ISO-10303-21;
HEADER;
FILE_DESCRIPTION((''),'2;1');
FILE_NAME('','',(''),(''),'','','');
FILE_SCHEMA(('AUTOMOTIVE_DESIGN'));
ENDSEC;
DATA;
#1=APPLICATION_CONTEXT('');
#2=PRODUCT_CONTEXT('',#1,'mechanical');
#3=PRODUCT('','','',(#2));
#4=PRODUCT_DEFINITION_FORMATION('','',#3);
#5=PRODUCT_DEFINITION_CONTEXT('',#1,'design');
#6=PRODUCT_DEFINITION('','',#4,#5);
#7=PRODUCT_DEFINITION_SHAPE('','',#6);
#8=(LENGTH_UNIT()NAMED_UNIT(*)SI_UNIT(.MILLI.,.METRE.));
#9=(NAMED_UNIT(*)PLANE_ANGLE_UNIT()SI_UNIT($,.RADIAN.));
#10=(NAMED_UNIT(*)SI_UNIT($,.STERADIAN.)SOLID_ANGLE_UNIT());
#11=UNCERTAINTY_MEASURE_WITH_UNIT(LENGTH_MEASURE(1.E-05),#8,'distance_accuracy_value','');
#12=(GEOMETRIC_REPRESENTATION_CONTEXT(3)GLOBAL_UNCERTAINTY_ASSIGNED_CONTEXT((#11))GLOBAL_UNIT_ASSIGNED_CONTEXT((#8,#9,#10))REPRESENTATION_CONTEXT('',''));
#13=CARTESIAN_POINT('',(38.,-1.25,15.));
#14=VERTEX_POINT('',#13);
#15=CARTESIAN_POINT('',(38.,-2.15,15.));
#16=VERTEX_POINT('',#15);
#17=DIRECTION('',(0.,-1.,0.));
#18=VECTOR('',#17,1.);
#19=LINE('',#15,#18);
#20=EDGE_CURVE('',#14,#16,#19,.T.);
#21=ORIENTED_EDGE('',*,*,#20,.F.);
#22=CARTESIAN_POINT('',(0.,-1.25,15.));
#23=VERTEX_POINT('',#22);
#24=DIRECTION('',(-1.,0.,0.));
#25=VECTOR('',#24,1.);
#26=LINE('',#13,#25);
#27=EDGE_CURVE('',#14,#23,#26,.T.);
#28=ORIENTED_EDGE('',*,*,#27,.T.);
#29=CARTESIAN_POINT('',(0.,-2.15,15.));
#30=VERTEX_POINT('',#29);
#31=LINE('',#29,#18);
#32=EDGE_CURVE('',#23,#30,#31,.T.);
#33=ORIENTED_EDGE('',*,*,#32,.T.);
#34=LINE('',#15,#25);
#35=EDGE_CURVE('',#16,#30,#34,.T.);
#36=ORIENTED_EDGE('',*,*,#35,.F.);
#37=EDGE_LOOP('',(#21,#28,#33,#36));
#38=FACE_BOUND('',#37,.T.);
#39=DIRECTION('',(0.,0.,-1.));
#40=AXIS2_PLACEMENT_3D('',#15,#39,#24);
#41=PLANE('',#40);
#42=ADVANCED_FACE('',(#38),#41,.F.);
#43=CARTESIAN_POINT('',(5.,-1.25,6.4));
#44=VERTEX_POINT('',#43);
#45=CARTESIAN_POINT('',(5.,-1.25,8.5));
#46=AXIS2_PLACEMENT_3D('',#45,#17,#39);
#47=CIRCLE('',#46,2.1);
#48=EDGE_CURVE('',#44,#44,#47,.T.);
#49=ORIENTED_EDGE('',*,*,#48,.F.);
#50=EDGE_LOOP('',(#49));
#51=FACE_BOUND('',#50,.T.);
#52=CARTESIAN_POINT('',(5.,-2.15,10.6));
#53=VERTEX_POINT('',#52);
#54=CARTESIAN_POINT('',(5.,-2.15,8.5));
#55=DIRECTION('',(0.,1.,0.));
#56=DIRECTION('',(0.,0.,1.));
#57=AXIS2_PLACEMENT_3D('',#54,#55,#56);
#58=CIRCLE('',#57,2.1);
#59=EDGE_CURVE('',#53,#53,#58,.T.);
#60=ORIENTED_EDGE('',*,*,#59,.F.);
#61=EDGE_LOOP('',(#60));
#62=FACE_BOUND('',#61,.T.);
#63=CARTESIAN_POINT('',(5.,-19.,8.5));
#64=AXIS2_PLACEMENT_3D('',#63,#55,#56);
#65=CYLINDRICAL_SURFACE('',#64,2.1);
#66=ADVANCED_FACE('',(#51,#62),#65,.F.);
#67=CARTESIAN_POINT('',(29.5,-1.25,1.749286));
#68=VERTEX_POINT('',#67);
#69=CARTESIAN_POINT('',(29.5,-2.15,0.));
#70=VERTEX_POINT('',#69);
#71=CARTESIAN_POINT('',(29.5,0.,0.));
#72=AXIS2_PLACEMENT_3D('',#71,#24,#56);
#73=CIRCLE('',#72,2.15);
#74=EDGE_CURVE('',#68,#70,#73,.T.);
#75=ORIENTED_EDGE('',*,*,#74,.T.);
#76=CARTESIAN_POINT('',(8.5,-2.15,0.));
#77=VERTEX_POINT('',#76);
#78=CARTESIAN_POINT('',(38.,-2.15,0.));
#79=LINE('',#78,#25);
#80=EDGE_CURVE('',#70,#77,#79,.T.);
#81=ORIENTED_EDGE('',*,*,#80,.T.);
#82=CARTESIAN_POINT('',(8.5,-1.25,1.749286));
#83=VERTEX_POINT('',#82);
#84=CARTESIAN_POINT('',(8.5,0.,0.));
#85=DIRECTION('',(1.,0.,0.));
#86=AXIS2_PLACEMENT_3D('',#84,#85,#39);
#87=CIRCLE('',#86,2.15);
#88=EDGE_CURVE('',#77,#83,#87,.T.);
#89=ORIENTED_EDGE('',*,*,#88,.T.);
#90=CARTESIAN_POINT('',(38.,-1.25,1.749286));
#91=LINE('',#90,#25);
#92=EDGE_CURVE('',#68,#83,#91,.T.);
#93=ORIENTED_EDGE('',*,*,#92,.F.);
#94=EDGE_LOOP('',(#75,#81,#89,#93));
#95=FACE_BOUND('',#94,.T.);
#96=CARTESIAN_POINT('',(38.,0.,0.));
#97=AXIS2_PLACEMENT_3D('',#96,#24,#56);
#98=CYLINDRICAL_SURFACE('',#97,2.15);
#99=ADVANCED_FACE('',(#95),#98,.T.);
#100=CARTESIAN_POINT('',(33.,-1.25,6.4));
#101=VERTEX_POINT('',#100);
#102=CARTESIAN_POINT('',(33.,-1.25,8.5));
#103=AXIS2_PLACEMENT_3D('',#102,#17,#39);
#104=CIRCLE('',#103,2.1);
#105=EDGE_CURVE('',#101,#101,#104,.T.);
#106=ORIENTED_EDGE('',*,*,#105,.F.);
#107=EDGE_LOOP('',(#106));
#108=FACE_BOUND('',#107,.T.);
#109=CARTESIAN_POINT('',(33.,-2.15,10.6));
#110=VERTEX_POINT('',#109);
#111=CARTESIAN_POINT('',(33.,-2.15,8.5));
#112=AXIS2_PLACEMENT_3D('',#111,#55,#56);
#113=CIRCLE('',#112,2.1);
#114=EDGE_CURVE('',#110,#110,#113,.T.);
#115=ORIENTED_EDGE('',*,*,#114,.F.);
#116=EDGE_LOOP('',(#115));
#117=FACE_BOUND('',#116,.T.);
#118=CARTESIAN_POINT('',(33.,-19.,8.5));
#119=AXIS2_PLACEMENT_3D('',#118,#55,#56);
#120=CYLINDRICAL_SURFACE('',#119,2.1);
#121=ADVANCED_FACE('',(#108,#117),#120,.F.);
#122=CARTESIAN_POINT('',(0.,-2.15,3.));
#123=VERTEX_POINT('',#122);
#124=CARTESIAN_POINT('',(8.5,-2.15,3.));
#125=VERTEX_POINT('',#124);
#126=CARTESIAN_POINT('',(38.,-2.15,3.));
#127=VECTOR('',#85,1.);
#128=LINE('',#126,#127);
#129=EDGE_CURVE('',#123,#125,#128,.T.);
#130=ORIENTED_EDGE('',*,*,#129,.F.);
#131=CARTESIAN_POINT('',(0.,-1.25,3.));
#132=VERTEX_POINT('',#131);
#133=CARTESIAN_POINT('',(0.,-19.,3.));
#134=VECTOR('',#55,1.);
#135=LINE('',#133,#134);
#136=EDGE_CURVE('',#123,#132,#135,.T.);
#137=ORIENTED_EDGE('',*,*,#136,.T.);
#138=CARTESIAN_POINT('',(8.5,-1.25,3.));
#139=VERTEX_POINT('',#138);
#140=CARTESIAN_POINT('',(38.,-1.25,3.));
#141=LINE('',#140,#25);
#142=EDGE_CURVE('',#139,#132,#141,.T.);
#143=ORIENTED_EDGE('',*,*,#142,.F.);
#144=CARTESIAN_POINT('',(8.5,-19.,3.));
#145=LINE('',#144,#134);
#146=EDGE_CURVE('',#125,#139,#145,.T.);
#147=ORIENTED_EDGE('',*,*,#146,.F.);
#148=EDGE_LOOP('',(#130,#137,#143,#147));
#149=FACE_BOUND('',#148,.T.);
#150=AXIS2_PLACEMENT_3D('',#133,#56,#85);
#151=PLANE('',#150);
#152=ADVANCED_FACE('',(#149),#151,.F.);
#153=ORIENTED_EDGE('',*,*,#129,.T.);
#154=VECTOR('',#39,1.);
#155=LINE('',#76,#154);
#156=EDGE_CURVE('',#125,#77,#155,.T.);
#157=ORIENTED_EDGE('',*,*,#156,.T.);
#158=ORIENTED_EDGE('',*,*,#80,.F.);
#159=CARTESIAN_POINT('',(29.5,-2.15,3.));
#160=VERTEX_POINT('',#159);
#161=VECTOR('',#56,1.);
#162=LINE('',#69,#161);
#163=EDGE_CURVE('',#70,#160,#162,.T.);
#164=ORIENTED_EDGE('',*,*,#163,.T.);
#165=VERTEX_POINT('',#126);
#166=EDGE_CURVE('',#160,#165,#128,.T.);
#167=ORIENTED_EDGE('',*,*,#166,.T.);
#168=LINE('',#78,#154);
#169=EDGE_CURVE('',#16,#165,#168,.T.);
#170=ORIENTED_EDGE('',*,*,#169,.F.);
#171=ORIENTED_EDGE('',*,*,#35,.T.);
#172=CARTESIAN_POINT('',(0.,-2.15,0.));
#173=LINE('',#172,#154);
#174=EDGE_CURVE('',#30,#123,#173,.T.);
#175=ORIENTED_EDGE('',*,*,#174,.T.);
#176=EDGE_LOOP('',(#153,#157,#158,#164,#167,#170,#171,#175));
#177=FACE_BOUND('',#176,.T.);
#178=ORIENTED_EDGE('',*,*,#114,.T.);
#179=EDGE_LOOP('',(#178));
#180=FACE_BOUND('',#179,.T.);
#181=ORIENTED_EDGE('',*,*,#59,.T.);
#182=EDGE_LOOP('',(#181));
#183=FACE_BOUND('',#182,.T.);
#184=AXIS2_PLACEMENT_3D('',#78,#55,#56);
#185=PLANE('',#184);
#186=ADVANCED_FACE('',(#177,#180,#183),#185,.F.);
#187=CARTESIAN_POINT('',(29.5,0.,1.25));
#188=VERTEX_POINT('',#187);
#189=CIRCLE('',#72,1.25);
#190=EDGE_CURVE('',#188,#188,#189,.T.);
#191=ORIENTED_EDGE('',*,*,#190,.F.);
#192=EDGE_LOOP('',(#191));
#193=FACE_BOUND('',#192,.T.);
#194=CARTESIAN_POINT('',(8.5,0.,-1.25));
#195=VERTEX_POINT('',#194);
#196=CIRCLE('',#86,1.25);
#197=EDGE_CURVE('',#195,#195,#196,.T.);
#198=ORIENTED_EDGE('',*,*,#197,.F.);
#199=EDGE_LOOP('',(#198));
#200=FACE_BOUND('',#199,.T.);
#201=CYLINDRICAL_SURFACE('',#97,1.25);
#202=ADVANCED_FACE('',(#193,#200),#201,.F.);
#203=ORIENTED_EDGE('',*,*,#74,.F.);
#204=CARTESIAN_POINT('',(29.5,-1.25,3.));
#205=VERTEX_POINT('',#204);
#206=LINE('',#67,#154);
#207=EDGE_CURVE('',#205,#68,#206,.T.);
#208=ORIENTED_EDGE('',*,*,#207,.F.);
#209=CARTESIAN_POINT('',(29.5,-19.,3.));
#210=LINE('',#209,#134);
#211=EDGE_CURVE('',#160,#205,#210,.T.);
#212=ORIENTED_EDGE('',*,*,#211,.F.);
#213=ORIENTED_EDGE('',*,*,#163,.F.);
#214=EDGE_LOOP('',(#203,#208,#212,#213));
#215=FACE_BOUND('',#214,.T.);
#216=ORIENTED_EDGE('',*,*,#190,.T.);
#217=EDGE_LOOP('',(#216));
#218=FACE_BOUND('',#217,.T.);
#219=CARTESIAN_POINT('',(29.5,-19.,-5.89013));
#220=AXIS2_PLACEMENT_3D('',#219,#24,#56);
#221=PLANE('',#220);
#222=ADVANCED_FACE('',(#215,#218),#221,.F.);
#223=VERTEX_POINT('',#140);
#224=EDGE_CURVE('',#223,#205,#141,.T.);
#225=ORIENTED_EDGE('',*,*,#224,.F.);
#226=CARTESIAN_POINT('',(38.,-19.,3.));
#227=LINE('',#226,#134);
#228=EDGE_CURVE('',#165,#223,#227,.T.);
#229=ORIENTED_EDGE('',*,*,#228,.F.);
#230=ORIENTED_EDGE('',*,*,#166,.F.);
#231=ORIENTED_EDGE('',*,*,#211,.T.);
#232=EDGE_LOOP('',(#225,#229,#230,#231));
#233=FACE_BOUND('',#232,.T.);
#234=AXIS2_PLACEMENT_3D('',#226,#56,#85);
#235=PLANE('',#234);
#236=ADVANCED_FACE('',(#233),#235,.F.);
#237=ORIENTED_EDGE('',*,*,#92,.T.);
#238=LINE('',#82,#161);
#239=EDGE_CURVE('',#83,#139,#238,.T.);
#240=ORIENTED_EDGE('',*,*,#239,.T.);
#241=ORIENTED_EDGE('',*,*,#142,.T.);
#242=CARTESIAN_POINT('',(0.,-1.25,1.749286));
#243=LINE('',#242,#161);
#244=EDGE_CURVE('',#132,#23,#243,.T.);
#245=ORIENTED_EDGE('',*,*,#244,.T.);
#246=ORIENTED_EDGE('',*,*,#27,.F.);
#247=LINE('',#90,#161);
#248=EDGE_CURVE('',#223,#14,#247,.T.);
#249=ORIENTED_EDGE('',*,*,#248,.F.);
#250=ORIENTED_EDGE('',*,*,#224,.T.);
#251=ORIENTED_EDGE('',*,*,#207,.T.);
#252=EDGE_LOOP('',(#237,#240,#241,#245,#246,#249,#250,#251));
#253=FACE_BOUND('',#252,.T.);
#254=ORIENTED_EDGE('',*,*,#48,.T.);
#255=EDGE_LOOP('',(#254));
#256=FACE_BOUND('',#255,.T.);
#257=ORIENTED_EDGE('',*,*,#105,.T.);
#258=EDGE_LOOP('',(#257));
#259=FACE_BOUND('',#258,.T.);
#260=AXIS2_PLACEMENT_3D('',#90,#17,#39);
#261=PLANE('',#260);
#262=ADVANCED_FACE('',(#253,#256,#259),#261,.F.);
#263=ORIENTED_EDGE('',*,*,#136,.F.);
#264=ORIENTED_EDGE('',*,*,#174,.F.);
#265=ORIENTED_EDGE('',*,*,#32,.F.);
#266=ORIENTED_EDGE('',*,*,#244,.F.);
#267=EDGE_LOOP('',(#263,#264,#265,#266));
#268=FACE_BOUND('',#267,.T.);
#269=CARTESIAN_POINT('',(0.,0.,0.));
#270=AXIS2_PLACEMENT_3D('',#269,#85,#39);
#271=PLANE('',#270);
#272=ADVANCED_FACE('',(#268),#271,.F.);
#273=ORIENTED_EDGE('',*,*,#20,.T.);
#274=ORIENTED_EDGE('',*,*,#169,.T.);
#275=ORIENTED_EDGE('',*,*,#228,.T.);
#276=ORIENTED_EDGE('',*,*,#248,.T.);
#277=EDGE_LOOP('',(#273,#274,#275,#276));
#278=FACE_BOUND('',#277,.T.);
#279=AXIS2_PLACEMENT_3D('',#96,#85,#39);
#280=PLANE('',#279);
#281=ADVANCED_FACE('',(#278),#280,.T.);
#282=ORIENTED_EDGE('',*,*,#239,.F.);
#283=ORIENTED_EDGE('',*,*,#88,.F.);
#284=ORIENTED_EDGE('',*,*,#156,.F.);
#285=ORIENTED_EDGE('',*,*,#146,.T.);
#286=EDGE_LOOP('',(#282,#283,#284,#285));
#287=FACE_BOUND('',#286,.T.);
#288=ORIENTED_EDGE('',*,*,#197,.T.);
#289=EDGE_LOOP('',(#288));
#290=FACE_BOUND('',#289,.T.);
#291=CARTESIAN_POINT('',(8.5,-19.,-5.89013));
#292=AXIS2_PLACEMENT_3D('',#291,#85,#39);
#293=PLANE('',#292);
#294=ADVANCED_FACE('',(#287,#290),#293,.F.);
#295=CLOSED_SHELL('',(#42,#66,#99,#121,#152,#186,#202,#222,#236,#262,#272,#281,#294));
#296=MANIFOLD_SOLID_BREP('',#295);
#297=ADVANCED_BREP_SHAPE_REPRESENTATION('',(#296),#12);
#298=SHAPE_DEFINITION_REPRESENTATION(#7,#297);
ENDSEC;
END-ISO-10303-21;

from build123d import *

# Parameters (mm, degrees)
SKETCH_1_R          = 1.25
EXTRUDE_1_DEPTH     = 38
SKETCH_2_R          = 2.1
SKETCH_2_W          = 8.5
SKETCH_2_H          = 8.890130192
CUT_EXTRUDE_1_DEPTH = 19


with BuildPart() as part:
    # 草图1 → 凸台-拉伸1 (new body)
    with BuildSketch(Plane(origin=(0, 0, 0), x_dir=(0, 0, -1), z_dir=(1, 0, 0))):
        with BuildLine():
            Line((0, -2.15), (-15, -2.15))
            Line((-15, -2.15), (-15, -1.25))
            Line((-15, -1.25), (-1.749285568, -1.25))
            ThreePointArc((-1.749285568, -1.25), (0.983615779, 1.911805429), (0, -2.15))
        make_face()
        Circle(SKETCH_1_R, mode=Mode.SUBTRACT)
    extrude(amount=EXTRUDE_1_DEPTH)

    # 草图2 → 切除-拉伸1 (cut, symmetric)
    with BuildSketch(Plane(origin=(0, 0, 0), x_dir=(1, 0, 0), z_dir=(0, 1, 0))):
        with Locations((33, -8.5)):
            Circle(SKETCH_2_R)
        with Locations((5, -8.5)):
            Circle(SKETCH_2_R)
        with Locations((33.75, 1.445065096)):
            Rectangle(SKETCH_2_W, SKETCH_2_H)
        with Locations((4.25, 1.445065096)):
            Rectangle(SKETCH_2_W, SKETCH_2_H)
    extrude(amount=CUT_EXTRUDE_1_DEPTH, both=True, mode=Mode.SUBTRACT)


solid = part.part
